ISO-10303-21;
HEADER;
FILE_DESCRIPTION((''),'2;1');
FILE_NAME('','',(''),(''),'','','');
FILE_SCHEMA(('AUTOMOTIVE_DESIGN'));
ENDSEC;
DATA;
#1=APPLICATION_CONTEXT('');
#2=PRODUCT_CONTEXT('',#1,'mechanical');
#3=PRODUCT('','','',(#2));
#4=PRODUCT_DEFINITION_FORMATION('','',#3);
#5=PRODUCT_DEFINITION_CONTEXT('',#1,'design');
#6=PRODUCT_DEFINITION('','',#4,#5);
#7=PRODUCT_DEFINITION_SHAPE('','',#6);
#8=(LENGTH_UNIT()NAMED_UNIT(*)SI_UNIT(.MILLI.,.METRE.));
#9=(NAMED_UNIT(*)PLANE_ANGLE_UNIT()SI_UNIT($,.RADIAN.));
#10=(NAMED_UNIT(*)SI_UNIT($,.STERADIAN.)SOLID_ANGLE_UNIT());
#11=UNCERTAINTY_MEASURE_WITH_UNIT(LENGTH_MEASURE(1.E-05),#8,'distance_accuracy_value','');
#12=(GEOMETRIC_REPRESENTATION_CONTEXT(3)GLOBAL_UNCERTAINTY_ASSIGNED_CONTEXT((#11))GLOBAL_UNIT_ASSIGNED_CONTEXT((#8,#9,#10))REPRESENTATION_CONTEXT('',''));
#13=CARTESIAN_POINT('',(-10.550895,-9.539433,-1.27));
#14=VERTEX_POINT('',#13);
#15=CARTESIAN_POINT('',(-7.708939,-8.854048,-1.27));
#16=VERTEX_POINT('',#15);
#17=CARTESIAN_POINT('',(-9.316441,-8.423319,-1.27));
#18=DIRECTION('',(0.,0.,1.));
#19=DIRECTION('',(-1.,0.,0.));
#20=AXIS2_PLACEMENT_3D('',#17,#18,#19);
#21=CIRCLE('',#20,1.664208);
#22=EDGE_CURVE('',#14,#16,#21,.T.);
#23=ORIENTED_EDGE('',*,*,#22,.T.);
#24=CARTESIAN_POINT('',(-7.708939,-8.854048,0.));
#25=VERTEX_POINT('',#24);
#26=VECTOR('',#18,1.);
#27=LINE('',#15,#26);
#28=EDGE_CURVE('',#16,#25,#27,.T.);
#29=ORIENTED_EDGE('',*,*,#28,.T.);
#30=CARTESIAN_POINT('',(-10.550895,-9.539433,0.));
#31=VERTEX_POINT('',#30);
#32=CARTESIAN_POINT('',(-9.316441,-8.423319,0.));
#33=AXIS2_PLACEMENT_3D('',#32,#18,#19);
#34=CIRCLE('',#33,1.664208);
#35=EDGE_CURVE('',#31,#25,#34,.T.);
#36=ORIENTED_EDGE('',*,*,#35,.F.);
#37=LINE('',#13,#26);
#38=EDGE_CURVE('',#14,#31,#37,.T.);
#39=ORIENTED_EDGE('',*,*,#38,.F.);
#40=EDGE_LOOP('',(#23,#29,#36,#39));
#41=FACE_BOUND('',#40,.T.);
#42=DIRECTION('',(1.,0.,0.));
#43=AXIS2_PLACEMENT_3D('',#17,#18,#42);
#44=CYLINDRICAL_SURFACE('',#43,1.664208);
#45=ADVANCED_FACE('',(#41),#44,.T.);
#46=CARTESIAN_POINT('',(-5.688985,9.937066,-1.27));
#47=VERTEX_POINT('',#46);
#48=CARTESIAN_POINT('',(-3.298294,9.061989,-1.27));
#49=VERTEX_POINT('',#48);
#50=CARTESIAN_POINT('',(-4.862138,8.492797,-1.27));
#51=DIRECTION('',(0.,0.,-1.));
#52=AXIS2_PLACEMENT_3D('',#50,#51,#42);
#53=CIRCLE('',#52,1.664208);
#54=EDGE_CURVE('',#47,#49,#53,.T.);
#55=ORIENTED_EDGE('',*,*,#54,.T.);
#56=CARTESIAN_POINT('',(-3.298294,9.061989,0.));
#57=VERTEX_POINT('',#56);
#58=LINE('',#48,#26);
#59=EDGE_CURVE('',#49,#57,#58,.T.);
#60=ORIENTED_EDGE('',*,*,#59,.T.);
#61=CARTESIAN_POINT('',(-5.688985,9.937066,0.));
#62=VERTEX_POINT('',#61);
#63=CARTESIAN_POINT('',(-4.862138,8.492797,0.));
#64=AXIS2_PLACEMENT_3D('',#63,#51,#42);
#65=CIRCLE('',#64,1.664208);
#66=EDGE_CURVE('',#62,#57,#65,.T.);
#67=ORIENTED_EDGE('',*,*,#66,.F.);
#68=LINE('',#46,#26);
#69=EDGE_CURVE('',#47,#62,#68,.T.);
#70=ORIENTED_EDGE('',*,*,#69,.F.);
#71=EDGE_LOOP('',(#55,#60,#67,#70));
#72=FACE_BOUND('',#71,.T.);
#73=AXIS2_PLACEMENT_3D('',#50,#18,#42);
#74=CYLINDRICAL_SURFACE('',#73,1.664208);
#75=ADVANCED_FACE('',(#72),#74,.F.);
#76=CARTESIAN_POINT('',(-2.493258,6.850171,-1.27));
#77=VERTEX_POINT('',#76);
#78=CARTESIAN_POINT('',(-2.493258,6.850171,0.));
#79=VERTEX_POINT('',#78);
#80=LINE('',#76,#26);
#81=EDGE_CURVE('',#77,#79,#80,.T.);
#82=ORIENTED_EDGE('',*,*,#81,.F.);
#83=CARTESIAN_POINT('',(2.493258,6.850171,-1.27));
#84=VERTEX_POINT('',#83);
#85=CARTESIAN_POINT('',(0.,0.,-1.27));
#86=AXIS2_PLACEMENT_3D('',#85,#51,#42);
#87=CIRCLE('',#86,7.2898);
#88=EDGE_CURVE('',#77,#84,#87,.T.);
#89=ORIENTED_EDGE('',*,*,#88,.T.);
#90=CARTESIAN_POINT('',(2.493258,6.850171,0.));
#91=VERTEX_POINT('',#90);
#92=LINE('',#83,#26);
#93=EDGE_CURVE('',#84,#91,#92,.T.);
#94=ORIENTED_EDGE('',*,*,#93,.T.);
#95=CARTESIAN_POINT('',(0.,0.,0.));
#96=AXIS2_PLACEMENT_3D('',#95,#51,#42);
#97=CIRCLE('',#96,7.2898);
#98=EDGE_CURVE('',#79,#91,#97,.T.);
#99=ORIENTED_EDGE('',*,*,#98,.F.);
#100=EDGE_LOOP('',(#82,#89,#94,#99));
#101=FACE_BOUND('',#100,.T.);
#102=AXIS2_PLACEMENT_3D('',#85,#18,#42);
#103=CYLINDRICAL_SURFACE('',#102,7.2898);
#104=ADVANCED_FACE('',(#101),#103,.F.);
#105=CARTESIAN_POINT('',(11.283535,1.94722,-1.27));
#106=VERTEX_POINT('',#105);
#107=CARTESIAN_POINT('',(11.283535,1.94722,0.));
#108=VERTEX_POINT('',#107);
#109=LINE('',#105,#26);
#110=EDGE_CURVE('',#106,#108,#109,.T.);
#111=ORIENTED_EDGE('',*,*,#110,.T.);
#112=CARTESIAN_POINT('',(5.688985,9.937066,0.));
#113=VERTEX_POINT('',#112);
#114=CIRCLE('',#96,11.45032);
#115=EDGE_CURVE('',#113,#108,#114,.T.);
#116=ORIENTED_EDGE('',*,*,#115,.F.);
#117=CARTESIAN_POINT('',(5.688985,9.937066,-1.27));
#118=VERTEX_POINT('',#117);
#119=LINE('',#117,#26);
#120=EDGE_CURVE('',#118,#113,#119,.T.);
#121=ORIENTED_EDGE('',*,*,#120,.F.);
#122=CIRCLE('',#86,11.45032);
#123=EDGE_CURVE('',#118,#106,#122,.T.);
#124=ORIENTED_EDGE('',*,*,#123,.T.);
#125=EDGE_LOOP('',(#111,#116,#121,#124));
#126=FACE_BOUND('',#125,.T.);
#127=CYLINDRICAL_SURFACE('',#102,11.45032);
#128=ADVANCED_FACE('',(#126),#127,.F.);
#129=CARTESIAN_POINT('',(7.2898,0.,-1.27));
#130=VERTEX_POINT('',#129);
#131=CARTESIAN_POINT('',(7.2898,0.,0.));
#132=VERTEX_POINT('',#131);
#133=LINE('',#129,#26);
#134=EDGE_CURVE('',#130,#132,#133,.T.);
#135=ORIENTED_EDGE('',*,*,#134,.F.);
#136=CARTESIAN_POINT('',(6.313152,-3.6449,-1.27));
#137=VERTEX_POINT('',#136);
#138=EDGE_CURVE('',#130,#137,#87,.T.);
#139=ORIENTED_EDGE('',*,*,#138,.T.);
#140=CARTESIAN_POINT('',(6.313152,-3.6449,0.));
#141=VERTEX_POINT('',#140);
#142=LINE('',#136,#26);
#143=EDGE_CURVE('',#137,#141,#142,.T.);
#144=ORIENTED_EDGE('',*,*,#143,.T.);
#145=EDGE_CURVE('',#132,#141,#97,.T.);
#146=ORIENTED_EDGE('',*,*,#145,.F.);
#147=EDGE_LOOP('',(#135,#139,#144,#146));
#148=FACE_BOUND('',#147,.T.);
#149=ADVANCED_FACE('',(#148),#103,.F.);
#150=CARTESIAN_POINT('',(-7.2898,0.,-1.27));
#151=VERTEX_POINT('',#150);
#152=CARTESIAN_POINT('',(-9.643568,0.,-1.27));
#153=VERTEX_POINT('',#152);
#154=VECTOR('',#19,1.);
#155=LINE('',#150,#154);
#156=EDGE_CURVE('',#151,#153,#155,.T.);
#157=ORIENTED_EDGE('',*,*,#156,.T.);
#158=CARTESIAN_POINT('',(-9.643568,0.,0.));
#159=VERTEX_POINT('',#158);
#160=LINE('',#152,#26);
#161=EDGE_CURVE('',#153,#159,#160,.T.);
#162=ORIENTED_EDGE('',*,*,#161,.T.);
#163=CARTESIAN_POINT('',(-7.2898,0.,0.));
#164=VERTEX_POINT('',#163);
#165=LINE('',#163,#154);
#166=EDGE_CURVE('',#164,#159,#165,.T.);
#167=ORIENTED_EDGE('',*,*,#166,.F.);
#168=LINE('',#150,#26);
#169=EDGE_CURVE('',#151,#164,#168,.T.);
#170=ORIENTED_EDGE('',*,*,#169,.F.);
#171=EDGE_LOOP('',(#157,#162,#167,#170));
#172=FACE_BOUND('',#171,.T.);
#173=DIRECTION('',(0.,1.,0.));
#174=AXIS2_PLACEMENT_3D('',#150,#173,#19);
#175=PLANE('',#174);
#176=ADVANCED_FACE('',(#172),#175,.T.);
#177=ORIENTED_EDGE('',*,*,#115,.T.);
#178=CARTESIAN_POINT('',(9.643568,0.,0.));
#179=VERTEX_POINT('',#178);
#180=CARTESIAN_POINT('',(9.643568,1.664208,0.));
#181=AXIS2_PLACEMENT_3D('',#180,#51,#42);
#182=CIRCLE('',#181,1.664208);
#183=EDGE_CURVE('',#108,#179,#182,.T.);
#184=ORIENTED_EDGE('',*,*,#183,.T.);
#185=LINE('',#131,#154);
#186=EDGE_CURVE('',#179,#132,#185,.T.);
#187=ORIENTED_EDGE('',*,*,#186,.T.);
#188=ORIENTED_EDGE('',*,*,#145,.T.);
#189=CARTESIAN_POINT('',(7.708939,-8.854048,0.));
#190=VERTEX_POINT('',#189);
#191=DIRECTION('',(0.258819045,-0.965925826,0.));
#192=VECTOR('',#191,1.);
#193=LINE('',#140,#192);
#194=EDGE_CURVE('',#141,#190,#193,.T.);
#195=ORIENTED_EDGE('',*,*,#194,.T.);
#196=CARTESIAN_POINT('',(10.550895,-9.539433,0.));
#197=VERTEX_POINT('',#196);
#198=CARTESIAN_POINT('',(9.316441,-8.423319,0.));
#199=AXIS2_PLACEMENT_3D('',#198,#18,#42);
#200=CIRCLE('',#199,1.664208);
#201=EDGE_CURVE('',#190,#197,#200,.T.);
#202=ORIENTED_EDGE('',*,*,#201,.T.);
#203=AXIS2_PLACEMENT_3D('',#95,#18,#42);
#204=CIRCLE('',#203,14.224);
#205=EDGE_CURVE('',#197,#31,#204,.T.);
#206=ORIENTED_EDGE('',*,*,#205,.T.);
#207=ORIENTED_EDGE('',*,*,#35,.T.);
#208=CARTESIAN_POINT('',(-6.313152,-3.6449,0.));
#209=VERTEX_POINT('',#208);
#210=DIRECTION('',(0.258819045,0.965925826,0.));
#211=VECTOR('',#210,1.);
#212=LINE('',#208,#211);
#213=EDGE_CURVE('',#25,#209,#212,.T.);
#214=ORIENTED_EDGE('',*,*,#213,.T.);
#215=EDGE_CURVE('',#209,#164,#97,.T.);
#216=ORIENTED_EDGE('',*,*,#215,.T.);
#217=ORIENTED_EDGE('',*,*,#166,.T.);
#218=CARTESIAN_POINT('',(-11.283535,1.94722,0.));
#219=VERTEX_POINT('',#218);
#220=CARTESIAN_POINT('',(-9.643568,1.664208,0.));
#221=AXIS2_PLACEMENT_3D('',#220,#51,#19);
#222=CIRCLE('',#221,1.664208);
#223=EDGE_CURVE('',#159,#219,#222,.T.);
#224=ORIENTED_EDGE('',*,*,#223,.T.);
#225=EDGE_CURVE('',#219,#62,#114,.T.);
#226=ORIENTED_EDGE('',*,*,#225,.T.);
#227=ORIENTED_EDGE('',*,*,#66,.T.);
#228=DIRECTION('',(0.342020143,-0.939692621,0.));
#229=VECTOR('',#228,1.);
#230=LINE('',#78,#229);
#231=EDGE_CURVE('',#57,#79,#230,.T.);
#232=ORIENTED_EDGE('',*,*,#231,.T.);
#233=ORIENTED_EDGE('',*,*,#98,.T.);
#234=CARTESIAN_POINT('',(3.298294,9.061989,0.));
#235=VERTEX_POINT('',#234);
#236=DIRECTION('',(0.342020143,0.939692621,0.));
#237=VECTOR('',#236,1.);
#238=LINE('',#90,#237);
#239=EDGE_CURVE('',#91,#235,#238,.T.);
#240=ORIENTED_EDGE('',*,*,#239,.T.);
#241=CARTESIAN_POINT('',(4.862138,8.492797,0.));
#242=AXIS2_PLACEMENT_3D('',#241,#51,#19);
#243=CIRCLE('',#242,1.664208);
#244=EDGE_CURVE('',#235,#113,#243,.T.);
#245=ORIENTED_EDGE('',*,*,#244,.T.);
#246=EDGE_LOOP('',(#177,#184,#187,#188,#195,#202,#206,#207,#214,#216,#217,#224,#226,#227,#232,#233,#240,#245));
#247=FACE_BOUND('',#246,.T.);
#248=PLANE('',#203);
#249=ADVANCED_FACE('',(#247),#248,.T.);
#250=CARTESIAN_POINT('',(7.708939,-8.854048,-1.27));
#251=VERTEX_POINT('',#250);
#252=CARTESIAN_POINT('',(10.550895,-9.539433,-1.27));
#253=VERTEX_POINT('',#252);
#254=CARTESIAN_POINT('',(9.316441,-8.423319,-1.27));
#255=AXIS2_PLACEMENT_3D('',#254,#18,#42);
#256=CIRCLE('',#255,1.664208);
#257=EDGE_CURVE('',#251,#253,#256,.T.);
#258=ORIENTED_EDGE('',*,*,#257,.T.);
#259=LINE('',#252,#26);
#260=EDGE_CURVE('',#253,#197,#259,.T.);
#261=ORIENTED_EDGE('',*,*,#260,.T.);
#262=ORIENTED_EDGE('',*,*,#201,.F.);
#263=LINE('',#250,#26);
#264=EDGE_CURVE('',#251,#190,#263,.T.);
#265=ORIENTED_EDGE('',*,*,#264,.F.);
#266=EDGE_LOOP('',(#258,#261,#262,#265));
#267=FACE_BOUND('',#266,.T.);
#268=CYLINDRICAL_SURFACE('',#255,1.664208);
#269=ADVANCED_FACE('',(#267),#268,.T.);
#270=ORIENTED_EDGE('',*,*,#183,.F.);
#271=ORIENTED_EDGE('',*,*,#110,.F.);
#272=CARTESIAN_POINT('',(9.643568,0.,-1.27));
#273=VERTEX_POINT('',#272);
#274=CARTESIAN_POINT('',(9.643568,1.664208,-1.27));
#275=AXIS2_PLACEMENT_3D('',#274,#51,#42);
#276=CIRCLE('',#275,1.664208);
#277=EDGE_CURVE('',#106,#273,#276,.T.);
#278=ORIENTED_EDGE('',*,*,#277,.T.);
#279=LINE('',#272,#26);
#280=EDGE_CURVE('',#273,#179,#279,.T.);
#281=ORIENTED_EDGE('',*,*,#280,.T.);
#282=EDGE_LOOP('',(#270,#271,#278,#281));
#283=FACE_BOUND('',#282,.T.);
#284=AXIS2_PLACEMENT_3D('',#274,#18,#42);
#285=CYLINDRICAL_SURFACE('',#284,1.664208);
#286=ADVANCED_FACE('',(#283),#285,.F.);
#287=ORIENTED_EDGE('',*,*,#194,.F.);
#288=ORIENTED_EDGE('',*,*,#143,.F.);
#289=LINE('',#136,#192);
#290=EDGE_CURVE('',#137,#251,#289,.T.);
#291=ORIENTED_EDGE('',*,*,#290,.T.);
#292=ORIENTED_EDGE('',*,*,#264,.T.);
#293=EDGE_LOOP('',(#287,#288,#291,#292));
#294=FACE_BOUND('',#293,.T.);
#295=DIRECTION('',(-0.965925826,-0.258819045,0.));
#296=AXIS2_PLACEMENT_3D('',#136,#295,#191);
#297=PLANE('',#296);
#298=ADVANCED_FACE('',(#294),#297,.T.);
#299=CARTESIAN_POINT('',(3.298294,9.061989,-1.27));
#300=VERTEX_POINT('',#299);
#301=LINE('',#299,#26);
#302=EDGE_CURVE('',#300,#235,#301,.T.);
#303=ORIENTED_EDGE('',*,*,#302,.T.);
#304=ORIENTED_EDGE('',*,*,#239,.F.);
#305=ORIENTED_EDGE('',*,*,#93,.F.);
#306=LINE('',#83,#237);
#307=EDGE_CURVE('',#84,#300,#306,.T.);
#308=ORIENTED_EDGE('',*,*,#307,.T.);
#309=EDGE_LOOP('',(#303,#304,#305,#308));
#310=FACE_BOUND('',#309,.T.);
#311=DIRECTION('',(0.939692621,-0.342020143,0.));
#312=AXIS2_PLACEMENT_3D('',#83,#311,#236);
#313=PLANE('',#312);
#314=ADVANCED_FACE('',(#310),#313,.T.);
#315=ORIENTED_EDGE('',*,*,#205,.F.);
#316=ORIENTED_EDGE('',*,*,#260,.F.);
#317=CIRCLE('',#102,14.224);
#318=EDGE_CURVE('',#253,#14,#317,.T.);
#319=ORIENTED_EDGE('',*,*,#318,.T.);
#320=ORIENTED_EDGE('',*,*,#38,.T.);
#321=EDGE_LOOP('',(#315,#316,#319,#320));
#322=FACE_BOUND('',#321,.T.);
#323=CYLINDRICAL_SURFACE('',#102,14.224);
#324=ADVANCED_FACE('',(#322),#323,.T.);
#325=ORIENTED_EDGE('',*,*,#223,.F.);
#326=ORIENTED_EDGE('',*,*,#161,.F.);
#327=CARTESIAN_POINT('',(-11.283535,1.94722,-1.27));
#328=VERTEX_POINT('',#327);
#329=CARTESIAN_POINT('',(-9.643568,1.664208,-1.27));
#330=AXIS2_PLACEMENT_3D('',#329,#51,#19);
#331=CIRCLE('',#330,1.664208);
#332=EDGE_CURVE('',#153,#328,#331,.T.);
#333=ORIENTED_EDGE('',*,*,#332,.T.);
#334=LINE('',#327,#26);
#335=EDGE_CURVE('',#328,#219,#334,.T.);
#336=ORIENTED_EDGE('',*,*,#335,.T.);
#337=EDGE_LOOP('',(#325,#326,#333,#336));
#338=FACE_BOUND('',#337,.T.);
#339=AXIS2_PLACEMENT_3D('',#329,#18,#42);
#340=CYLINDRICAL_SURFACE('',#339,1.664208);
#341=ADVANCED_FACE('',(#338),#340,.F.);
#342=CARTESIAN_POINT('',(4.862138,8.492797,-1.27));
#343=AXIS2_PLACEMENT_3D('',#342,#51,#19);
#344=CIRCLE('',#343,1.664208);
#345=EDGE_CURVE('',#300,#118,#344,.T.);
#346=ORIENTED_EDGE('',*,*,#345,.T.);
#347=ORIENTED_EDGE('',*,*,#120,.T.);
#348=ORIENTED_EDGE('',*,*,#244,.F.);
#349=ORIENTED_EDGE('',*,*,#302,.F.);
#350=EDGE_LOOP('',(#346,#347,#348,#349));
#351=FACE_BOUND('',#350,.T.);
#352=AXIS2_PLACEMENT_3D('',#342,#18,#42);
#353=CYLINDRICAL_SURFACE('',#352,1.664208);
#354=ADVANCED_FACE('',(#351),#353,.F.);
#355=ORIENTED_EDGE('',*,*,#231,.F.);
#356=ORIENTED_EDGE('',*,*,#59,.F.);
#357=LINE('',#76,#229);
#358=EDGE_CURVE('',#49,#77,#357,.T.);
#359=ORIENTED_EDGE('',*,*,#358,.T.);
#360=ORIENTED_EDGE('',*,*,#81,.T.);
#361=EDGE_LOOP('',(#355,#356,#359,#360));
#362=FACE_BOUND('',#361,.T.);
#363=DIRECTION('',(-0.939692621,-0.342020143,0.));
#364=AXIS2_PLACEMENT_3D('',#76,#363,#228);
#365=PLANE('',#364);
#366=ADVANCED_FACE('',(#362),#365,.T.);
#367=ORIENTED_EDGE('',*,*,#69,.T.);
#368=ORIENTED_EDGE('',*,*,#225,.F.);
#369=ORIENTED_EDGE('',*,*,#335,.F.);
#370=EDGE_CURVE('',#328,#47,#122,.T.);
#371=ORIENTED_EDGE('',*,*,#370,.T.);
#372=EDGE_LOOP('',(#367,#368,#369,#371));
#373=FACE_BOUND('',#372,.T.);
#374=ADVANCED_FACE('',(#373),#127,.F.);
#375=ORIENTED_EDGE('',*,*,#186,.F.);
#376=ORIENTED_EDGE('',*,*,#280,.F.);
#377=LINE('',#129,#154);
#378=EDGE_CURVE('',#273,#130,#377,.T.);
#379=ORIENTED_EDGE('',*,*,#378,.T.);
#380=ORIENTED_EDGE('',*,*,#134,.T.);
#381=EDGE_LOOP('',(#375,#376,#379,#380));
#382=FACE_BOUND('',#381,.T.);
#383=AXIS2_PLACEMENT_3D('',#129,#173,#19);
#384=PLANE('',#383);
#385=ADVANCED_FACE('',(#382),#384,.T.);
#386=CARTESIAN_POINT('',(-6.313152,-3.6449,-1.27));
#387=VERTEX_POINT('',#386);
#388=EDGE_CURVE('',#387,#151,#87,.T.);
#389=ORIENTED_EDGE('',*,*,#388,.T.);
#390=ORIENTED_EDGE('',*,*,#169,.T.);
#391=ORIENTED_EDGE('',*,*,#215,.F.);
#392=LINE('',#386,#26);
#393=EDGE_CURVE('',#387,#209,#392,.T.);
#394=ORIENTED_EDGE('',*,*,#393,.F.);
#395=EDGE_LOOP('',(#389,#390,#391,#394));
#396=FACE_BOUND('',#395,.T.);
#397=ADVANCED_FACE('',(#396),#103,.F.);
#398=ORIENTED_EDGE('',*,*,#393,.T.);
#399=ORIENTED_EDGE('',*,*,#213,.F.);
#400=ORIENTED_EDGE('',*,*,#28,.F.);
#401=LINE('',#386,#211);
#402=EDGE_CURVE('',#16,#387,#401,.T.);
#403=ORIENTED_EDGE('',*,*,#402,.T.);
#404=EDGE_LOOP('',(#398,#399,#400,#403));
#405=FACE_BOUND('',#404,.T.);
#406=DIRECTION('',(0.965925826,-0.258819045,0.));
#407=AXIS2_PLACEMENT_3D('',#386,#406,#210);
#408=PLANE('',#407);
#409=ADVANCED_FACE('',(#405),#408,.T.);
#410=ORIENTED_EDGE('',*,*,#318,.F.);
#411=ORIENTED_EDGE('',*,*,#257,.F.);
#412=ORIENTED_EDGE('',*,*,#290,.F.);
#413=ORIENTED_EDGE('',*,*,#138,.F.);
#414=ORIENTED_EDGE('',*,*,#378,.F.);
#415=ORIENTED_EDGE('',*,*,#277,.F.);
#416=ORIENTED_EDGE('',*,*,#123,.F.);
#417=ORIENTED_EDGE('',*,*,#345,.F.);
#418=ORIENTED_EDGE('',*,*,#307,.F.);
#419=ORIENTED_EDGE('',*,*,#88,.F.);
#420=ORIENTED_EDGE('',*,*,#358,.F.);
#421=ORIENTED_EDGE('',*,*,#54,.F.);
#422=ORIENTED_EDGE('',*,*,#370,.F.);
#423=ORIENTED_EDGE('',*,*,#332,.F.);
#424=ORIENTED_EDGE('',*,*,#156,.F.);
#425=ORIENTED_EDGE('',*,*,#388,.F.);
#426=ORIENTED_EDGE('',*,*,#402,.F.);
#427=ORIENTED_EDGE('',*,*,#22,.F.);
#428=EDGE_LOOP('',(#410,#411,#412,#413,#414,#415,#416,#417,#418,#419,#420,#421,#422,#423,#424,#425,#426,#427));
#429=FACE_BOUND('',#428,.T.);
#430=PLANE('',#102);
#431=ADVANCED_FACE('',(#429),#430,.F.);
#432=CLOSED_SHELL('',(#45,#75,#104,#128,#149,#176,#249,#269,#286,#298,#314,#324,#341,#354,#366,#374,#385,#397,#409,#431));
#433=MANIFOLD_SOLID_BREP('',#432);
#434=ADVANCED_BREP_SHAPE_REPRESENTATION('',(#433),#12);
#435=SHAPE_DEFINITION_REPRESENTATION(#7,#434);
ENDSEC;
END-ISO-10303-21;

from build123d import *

# Parameters (mm, degrees)
BODY_DEPTH = 1.27


with BuildPart() as part:
    # BodySke → Body (new body)
    with BuildSketch(Plane.XY):
        with BuildLine():
            Line((6.313151989, -3.6449), (7.708939042, -8.854048199))
            ThreePointArc((7.708939042, -8.854048199), (8.92627505, -10.041144917), (10.550895276, -9.539433152))
            ThreePointArc((10.550895276, -9.539433152), (0, 14.224), (-10.550895276, -9.539433152))
            ThreePointArc((-10.550895276, -9.539433152), (-8.92627505, -10.041144917), (-7.708939042, -8.854048199))
            Line((-7.708939042, -8.854048199), (-6.313151989, -3.6449))
            ThreePointArc((-6.313151989, -3.6449), (-7.041406088, -1.886739075), (-7.2898, 0))
            Line((-7.2898, 0), (-9.643567795, 0))
            ThreePointArc((-9.643567795, 0), (-10.91647378, 0.592154541), (-11.283534992, 1.947220116))
            ThreePointArc((-11.283534992, 1.947220116), (-9.379553036, 6.567633741), (-5.68898463, 9.937066065))
            ThreePointArc((-5.68898463, 9.937066065), (-4.290097179, 10.055601075), (-3.298294439, 9.061989495))
            Line((-3.298294439, 9.061989495), (-2.493258441, 6.850171267))
            ThreePointArc((-2.493258441, 6.850171267), (0, 7.2898), (2.493258441, 6.850171267))
            Line((2.493258441, 6.850171267), (3.298294439, 9.061989495))
            ThreePointArc((3.298294439, 9.061989495), (4.290097179, 10.055601075), (5.68898463, 9.937066065))
            ThreePointArc((5.68898463, 9.937066065), (9.379553036, 6.567633741), (11.283534992, 1.947220116))
            ThreePointArc((11.283534992, 1.947220116), (10.91647378, 0.592154541), (9.643567795, 0))
            Line((9.643567795, 0), (7.2898, 0))
            ThreePointArc((7.2898, 0), (7.041406088, -1.886739075), (6.313151989, -3.6449))
        make_face()
    extrude(amount=-BODY_DEPTH)


solid = part.part
